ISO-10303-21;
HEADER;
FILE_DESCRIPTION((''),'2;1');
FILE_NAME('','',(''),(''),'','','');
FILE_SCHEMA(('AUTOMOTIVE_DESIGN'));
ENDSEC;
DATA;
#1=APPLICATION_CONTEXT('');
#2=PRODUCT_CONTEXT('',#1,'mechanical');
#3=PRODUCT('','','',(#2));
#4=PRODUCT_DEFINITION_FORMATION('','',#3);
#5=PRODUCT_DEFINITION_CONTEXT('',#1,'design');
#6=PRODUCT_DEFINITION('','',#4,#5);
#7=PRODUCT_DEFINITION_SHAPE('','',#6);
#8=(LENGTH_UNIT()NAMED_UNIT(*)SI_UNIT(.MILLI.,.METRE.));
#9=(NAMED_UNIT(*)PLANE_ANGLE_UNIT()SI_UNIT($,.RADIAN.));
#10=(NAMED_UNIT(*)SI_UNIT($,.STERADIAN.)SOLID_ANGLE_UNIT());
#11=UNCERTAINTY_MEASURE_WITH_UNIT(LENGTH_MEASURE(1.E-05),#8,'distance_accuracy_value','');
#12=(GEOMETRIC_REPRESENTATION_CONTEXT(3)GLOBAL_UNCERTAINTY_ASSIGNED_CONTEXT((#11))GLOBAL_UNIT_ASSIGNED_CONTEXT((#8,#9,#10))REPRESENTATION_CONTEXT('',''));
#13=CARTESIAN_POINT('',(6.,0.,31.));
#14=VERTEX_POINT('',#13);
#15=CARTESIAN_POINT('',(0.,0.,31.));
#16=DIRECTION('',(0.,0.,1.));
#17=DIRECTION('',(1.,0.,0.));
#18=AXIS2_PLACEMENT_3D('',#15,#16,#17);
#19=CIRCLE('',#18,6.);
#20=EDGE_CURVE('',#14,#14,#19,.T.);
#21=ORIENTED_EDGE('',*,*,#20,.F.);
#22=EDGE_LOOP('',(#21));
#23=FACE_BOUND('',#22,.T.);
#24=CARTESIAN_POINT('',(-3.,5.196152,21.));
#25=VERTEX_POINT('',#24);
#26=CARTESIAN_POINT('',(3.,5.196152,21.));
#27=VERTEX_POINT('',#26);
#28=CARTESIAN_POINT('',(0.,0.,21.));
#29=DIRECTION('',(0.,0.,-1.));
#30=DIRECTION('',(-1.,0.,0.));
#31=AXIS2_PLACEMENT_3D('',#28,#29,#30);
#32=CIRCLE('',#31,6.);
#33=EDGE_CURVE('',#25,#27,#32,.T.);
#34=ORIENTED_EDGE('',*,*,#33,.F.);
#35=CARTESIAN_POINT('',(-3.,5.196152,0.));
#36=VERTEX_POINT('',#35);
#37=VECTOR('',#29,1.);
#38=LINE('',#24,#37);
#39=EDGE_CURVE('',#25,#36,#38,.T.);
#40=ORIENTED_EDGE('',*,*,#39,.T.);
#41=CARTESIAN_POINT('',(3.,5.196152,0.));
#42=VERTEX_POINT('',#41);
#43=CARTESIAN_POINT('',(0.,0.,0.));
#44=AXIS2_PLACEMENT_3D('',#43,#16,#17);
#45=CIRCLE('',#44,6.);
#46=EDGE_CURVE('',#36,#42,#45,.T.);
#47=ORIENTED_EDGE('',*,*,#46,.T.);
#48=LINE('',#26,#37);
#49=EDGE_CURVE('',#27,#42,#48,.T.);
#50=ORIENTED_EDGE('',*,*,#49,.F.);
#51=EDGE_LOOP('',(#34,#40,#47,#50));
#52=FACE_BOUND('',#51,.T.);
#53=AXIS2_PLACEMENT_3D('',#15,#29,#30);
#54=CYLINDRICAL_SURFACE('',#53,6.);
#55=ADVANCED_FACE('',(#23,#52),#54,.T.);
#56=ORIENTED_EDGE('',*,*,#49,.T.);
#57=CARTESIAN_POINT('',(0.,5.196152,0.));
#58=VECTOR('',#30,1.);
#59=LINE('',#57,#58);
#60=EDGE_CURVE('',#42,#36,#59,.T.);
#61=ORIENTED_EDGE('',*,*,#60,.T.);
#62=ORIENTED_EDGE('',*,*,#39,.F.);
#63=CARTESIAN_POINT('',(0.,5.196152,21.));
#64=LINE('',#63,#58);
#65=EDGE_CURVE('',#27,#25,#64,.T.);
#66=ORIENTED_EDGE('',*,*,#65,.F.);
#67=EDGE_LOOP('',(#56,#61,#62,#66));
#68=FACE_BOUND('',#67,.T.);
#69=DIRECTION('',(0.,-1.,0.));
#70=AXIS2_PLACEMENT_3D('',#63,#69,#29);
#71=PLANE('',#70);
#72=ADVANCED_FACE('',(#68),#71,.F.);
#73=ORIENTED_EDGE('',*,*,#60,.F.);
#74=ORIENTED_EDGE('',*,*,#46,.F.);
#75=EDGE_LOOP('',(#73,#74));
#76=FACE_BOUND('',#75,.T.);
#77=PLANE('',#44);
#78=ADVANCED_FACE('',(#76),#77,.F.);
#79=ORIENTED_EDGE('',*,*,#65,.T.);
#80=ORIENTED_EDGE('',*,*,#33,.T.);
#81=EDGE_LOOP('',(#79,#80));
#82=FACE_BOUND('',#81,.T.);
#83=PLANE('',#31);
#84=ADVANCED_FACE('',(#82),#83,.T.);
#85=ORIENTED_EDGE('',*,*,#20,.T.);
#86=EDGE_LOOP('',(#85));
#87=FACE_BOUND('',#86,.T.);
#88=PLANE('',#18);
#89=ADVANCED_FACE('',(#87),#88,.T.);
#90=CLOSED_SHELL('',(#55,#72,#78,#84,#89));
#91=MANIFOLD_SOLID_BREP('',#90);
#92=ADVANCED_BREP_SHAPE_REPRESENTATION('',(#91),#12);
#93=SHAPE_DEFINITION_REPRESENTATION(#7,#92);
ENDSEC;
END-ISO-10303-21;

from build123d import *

# Parameters (mm, degrees)
SKETCH1_R           = 6
BOSS_EXTRUDE1_DEPTH = 31
CUT_EXTRUDE1_DEPTH  = 21


with BuildPart() as part:
    # Sketch1 → Boss-Extrude1 (new body)
    with BuildSketch(Plane.XY):
        Circle(SKETCH1_R)
    extrude(amount=BOSS_EXTRUDE1_DEPTH)

    # Sketch2 → Cut-Extrude1 (cut)
    with BuildSketch(Plane(origin=(0, 0, 0), x_dir=(-1, 0, 0), z_dir=(0, 0, -1))):
        Polygon((-41.730042052, 5.196152423), (-3, 5.196152423), (3, 5.196152423), (41.730042052, 5.196152423), (41.730042052, 82.656236526), (-41.730042052, 82.656236526), align=None)
    extrude(amount=-CUT_EXTRUDE1_DEPTH, mode=Mode.SUBTRACT)


solid = part.part
